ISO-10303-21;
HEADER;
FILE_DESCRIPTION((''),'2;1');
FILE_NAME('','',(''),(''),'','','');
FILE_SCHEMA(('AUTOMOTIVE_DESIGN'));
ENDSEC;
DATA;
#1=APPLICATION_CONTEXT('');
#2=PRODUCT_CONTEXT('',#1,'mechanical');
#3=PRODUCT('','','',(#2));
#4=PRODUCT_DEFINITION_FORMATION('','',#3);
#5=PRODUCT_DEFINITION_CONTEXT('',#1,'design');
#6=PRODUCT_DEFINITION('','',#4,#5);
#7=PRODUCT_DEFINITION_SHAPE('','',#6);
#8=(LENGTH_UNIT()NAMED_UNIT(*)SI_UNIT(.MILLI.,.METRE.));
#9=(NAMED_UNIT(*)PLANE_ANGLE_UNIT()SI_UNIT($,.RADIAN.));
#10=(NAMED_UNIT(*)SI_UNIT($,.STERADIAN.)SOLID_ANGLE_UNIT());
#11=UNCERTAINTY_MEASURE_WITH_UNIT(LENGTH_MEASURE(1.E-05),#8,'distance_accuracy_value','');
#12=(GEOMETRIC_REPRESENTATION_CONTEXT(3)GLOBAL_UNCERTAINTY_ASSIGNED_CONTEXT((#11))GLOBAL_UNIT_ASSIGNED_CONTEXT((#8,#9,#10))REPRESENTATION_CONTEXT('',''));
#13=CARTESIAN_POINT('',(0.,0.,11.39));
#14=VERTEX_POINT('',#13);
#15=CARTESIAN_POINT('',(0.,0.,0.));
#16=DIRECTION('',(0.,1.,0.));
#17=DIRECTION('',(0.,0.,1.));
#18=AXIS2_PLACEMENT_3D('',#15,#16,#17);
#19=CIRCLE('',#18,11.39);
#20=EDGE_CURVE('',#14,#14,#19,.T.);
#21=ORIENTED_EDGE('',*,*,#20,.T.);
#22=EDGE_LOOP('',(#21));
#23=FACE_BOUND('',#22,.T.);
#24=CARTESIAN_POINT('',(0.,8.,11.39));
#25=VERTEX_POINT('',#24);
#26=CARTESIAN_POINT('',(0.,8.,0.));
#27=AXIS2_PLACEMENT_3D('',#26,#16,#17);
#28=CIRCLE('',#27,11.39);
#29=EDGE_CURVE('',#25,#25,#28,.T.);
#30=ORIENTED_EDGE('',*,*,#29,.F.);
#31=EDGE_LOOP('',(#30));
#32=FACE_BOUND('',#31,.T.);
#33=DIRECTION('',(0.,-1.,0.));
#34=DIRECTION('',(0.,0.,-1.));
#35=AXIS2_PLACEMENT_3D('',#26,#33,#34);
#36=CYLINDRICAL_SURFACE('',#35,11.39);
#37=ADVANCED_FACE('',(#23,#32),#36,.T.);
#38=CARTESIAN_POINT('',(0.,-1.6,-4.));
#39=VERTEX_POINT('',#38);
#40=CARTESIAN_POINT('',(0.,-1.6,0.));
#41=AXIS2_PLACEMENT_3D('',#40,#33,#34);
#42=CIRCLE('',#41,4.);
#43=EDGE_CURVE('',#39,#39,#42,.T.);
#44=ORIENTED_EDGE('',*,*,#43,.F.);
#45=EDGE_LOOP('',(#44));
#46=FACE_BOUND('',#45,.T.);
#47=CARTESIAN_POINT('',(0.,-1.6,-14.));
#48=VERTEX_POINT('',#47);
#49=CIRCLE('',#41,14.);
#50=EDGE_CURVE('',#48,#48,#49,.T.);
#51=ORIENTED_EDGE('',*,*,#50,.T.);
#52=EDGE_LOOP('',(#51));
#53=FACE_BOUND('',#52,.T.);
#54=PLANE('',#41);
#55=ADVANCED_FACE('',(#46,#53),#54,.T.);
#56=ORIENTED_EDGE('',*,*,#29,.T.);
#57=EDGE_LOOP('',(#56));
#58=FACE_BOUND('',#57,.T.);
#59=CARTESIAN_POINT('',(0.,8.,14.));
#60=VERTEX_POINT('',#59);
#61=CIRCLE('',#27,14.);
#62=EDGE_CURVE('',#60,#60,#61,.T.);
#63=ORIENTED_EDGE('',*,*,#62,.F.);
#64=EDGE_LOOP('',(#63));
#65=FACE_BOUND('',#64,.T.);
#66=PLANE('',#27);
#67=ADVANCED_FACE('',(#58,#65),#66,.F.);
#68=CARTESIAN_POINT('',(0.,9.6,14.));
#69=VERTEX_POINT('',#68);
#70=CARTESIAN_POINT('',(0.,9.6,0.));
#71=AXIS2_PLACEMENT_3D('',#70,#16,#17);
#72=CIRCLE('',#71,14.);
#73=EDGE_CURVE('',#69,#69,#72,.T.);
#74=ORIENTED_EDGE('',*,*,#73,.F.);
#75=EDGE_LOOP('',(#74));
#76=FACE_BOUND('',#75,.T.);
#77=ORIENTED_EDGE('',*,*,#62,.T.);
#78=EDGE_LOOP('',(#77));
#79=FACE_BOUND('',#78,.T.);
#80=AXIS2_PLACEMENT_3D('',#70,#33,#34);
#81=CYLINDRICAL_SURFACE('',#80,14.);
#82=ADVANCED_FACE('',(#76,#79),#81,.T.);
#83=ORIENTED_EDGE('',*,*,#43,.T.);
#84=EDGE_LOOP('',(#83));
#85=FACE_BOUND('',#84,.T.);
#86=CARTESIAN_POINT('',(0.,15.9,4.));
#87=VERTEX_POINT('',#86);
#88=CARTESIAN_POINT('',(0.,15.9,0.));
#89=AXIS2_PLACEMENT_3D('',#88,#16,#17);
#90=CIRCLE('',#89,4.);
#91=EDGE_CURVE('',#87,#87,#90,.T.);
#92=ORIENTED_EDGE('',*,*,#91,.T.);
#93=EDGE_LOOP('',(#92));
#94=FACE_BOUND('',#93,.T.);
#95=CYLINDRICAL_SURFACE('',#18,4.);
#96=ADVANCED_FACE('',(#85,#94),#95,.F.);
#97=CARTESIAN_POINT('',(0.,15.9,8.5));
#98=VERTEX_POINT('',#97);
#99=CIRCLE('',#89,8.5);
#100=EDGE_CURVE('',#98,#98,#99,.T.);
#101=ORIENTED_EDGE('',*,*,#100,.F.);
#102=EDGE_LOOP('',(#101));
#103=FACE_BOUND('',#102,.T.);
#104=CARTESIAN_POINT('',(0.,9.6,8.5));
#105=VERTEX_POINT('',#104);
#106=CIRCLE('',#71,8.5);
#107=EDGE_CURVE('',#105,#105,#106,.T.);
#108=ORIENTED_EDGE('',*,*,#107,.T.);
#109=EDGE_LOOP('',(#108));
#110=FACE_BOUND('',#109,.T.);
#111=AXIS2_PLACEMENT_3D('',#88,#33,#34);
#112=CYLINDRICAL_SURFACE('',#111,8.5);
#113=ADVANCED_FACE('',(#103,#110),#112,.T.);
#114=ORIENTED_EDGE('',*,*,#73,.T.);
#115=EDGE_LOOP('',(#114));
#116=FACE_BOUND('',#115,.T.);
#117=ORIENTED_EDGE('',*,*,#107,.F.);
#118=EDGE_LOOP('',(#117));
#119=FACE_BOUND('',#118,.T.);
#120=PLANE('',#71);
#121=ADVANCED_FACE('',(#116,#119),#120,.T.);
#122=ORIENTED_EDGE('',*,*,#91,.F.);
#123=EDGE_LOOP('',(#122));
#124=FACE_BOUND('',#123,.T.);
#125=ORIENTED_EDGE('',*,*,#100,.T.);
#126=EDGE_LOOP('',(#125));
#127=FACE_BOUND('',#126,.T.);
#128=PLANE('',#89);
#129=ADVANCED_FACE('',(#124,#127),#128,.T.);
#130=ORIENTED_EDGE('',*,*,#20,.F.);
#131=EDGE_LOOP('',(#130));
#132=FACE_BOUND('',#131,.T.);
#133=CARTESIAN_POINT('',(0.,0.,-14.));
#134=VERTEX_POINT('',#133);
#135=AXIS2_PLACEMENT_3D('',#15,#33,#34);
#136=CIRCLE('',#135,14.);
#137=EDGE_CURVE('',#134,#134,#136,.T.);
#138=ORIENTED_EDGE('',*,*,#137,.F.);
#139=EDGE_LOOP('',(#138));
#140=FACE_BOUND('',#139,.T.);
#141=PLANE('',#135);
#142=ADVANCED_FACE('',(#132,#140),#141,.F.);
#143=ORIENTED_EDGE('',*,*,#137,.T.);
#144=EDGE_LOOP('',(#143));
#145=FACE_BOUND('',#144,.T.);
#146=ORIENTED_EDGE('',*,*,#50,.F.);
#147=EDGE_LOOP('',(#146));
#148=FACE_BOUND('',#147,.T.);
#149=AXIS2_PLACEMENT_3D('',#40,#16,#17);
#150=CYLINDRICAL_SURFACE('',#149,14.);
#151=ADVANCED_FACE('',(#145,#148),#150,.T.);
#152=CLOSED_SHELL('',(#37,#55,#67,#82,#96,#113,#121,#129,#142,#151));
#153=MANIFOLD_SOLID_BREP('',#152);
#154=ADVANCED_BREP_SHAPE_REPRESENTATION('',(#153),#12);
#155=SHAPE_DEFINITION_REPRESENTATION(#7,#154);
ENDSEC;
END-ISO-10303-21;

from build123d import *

# Parameters (mm, degrees)
SKETCH1_R               = 11.39
BOSS_EXTRUDE1_DEPTH     = 8
SKETCH2_R               = 14
BOSS_EXTRUDE2_DEPTH     = 1.6
SKETCH3_R               = 8.5
BOSS_EXTRUDE3_DEPTH     = 6.3
CUT_EXTRUDE1_DEPTH      = 26.393109302
CUT_EXTRUDE1_DEPTH_BACK = 26.393109302
SKETCH4_R               = 4
SKETCH5_R               = 14
SKETCH5_R_2             = 4
BOSS_EXTRUDE4_DEPTH     = 1.6


with BuildPart() as part:
    # Sketch1 → Boss-Extrude1 (new body)
    with BuildSketch(Plane(origin=(0, 0, 0), x_dir=(1, 0, 0), z_dir=(0, 1, 0))):
        with Locations(Location((0, 0, 0), (0, 0, 270))):
            Circle(SKETCH1_R)
    extrude(amount=BOSS_EXTRUDE1_DEPTH)

    # Sketch2 → Boss-Extrude2 (add)
    with BuildSketch(Plane(origin=(0, 8, 0), x_dir=(1, 0, 0), z_dir=(0, 1, 0))):
        with Locations(Location((0, 0, 0), (0, 0, 270))):
            Circle(SKETCH2_R)
    extrude(amount=BOSS_EXTRUDE2_DEPTH)

    # Sketch3 → Boss-Extrude3 (add)
    with BuildSketch(Plane(origin=(0, 9.6, 0), x_dir=(1, 0, 0), z_dir=(0, 1, 0))):
        with Locations(Location((0, 0, 0), (0, 0, 270))):
            Circle(SKETCH3_R)
    extrude(amount=BOSS_EXTRUDE3_DEPTH)

    # Sketch4 → Cut-Extrude1 (cut, two sides: drawn at the far end of the back side and taken through both)
    with BuildSketch(Plane(origin=(0, 15.9, 0), x_dir=(1, 0, 0), z_dir=(0, 1, 0)).offset(-CUT_EXTRUDE1_DEPTH_BACK)):
        with Locations(Location((0, 0, 0), (0, 0, 270))):
            Circle(SKETCH4_R)
    extrude(amount=CUT_EXTRUDE1_DEPTH + CUT_EXTRUDE1_DEPTH_BACK, mode=Mode.SUBTRACT)

    # Sketch5 → Boss-Extrude4 (add)
    with BuildSketch(Plane.XZ):
        with Locations(Location((0, 0, 0), (0, 0, 90))):
            Circle(SKETCH5_R)
        with Locations(Location((0, 0, 0), (0, 0, 90))):
            Circle(SKETCH5_R_2, mode=Mode.SUBTRACT)
    extrude(amount=BOSS_EXTRUDE4_DEPTH)


solid = part.part
